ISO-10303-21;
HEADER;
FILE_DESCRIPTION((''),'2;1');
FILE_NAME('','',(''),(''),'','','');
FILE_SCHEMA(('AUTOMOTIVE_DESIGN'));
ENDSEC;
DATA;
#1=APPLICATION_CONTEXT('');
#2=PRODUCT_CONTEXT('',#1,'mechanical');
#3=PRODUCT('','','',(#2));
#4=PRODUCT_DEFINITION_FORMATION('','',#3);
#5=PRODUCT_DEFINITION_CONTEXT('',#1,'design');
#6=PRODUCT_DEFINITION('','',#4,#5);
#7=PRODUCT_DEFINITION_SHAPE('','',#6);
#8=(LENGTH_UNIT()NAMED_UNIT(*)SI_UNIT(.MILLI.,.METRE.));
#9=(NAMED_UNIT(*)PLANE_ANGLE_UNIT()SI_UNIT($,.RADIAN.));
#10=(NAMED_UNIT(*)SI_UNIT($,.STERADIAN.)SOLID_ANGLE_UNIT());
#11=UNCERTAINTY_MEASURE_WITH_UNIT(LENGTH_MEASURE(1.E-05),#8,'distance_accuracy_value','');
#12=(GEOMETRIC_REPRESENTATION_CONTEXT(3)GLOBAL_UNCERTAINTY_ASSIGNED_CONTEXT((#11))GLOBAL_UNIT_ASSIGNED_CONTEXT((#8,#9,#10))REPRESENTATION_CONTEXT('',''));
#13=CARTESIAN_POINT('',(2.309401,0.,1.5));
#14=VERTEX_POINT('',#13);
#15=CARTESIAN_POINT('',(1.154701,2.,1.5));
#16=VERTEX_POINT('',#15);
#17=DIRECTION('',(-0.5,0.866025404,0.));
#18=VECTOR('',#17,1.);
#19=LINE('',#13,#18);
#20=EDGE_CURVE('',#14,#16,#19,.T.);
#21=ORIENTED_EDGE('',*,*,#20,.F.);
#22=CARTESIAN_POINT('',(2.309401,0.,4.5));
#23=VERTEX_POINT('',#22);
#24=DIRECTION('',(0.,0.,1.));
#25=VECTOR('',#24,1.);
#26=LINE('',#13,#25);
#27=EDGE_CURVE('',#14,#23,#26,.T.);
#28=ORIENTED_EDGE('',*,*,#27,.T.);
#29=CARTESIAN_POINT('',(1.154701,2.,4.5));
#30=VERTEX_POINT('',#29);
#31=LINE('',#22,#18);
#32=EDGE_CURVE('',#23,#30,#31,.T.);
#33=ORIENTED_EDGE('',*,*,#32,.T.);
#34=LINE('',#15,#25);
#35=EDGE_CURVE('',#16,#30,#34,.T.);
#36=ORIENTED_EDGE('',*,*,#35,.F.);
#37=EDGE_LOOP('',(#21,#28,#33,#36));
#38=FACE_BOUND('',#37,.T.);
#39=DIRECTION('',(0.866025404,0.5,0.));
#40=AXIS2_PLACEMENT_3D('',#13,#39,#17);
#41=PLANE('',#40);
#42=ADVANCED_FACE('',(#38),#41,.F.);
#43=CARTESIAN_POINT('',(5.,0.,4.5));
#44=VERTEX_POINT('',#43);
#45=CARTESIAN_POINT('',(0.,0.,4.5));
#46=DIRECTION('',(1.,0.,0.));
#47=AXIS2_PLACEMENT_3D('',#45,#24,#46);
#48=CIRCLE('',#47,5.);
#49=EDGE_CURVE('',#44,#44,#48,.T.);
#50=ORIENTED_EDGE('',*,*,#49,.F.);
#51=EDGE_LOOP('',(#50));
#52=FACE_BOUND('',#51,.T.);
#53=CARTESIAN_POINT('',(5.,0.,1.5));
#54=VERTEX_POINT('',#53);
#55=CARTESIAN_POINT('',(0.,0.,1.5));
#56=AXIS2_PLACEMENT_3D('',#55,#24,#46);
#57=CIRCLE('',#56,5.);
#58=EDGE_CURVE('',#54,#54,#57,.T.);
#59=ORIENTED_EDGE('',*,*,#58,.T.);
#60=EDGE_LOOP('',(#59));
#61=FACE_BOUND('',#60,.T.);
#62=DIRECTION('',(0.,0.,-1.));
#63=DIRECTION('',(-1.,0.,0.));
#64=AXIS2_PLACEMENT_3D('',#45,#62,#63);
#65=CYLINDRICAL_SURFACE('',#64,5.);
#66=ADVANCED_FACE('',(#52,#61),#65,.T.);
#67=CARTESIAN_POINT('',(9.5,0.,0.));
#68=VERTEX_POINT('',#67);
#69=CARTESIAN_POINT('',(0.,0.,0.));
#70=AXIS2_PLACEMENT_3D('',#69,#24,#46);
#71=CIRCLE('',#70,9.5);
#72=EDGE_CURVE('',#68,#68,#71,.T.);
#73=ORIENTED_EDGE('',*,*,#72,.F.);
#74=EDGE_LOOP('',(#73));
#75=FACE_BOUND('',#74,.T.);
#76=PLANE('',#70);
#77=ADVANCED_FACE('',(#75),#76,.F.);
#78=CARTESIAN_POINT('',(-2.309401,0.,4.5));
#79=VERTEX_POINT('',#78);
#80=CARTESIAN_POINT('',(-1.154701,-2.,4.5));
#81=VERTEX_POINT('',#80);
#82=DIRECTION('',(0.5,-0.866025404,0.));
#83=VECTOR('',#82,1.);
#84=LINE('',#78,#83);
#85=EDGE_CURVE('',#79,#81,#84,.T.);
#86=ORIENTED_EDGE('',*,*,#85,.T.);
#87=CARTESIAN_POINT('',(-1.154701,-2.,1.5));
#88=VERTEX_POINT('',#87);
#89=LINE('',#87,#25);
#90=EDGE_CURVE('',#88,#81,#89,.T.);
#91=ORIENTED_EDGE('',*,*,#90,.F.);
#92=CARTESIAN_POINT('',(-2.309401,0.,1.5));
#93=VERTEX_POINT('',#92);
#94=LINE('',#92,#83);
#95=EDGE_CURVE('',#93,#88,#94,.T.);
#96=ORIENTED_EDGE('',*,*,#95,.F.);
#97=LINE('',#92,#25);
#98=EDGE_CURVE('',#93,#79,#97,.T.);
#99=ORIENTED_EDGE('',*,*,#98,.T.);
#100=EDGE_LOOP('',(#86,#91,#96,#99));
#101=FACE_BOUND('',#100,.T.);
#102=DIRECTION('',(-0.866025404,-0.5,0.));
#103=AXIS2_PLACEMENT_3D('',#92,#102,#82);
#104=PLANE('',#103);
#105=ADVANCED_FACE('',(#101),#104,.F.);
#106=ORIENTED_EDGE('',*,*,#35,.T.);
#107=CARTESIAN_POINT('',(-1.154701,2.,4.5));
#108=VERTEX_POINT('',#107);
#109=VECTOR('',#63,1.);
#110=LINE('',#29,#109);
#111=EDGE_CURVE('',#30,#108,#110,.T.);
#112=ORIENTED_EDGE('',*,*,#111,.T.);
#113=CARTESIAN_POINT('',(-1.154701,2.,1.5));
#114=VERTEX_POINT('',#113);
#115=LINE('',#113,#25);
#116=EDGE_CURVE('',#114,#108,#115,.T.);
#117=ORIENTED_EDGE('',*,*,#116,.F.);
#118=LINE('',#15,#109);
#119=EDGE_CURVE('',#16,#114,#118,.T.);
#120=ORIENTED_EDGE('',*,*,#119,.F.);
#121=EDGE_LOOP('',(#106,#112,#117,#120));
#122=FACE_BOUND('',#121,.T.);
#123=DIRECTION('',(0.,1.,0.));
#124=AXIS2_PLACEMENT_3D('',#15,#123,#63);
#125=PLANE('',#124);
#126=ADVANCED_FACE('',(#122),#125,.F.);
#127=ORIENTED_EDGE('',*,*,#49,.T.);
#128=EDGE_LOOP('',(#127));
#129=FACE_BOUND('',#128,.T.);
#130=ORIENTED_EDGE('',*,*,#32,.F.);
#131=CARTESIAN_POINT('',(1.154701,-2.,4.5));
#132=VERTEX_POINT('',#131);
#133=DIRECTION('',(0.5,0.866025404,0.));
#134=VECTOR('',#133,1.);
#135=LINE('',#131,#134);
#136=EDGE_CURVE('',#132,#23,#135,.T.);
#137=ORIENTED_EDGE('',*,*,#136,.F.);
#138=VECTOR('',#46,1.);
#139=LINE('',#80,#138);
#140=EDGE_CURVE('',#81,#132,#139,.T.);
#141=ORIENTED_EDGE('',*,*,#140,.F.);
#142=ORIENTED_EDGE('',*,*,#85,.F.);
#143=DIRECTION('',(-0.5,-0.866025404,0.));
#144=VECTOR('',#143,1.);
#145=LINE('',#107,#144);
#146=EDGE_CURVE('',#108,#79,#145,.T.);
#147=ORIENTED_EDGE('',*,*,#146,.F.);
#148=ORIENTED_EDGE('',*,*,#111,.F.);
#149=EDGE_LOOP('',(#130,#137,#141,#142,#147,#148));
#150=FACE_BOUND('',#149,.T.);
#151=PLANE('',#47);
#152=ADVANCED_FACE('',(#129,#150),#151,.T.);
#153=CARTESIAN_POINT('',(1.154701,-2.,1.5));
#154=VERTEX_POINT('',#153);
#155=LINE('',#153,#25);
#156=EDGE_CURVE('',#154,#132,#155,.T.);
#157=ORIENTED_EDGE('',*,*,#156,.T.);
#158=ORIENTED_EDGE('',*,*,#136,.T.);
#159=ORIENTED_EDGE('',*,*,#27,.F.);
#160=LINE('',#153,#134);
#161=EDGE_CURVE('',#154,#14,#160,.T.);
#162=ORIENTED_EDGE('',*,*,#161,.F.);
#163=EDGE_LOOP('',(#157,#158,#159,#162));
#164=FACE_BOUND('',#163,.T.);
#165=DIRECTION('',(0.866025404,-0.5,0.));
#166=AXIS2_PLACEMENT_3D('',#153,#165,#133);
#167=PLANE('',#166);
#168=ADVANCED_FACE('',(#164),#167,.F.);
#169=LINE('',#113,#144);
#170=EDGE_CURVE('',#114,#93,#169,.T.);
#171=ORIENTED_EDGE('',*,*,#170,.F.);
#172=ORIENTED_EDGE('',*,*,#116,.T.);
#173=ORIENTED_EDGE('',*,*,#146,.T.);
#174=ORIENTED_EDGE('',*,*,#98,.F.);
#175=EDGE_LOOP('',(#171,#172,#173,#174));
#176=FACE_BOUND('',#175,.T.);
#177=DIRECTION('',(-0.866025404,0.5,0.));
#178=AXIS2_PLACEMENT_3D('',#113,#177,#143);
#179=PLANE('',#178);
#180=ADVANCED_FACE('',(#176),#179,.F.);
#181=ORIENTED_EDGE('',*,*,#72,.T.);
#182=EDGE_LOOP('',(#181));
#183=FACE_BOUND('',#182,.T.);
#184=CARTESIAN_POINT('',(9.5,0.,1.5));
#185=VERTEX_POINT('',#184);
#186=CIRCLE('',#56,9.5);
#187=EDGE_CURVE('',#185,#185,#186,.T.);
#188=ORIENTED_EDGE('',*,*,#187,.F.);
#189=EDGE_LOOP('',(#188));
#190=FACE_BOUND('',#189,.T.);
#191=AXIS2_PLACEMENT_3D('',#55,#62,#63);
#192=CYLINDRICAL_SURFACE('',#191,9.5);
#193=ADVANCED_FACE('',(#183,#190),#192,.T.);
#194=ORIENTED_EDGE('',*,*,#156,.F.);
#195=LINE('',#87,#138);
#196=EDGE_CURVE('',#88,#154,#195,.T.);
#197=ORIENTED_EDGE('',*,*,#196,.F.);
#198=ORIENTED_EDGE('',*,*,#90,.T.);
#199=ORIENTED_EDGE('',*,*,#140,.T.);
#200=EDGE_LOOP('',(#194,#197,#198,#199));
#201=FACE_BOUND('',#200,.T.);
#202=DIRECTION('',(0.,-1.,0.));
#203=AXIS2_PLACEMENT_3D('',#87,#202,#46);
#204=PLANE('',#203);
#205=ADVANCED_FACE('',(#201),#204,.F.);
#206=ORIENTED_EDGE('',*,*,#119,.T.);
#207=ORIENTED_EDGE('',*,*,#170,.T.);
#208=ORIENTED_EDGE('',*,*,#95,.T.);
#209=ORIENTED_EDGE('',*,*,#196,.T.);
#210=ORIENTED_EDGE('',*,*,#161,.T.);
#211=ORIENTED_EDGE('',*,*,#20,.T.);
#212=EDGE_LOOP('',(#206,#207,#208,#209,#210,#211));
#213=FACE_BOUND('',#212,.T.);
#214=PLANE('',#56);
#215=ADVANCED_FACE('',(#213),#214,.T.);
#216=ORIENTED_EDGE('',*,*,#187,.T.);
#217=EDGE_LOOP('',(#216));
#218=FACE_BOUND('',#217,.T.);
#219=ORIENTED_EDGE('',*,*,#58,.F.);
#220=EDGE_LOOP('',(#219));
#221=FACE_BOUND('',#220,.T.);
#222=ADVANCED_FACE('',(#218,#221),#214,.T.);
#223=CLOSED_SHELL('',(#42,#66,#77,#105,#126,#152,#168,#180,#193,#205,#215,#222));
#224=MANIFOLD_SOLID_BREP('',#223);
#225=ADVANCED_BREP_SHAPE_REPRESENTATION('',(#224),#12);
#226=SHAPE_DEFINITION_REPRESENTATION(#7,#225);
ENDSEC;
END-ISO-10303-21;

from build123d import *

# Parameters (mm, degrees)
SKETCH_1_R          = 9.5
EXTRUDE_1_DEPTH     = 1.5
SKETCH_2_R          = 5
EXTRUDE_2_DEPTH     = 3
CUT_EXTRUDE_1_DEPTH = 3


with BuildPart() as part:
    # 草图1 → 凸台-拉伸1 (new body)
    with BuildSketch(Plane.XY):
        Circle(SKETCH_1_R)
    extrude(amount=EXTRUDE_1_DEPTH)

    # 草图2 → 凸台-拉伸2 (add)
    with BuildSketch(Plane.XY.offset(1.5)):
        Circle(SKETCH_2_R)
    extrude(amount=EXTRUDE_2_DEPTH)

    # 草图3 → 切除-拉伸1 (cut)
    with BuildSketch(Plane.XY.offset(4.5)):
        Polygon((1.154700538, 2), (-1.154700538, 2), (-2.309401077, 0), (-1.154700538, -2), (1.154700538, -2), (2.309401077, 0), align=None)
    extrude(amount=-CUT_EXTRUDE_1_DEPTH, mode=Mode.SUBTRACT)


solid = part.part
